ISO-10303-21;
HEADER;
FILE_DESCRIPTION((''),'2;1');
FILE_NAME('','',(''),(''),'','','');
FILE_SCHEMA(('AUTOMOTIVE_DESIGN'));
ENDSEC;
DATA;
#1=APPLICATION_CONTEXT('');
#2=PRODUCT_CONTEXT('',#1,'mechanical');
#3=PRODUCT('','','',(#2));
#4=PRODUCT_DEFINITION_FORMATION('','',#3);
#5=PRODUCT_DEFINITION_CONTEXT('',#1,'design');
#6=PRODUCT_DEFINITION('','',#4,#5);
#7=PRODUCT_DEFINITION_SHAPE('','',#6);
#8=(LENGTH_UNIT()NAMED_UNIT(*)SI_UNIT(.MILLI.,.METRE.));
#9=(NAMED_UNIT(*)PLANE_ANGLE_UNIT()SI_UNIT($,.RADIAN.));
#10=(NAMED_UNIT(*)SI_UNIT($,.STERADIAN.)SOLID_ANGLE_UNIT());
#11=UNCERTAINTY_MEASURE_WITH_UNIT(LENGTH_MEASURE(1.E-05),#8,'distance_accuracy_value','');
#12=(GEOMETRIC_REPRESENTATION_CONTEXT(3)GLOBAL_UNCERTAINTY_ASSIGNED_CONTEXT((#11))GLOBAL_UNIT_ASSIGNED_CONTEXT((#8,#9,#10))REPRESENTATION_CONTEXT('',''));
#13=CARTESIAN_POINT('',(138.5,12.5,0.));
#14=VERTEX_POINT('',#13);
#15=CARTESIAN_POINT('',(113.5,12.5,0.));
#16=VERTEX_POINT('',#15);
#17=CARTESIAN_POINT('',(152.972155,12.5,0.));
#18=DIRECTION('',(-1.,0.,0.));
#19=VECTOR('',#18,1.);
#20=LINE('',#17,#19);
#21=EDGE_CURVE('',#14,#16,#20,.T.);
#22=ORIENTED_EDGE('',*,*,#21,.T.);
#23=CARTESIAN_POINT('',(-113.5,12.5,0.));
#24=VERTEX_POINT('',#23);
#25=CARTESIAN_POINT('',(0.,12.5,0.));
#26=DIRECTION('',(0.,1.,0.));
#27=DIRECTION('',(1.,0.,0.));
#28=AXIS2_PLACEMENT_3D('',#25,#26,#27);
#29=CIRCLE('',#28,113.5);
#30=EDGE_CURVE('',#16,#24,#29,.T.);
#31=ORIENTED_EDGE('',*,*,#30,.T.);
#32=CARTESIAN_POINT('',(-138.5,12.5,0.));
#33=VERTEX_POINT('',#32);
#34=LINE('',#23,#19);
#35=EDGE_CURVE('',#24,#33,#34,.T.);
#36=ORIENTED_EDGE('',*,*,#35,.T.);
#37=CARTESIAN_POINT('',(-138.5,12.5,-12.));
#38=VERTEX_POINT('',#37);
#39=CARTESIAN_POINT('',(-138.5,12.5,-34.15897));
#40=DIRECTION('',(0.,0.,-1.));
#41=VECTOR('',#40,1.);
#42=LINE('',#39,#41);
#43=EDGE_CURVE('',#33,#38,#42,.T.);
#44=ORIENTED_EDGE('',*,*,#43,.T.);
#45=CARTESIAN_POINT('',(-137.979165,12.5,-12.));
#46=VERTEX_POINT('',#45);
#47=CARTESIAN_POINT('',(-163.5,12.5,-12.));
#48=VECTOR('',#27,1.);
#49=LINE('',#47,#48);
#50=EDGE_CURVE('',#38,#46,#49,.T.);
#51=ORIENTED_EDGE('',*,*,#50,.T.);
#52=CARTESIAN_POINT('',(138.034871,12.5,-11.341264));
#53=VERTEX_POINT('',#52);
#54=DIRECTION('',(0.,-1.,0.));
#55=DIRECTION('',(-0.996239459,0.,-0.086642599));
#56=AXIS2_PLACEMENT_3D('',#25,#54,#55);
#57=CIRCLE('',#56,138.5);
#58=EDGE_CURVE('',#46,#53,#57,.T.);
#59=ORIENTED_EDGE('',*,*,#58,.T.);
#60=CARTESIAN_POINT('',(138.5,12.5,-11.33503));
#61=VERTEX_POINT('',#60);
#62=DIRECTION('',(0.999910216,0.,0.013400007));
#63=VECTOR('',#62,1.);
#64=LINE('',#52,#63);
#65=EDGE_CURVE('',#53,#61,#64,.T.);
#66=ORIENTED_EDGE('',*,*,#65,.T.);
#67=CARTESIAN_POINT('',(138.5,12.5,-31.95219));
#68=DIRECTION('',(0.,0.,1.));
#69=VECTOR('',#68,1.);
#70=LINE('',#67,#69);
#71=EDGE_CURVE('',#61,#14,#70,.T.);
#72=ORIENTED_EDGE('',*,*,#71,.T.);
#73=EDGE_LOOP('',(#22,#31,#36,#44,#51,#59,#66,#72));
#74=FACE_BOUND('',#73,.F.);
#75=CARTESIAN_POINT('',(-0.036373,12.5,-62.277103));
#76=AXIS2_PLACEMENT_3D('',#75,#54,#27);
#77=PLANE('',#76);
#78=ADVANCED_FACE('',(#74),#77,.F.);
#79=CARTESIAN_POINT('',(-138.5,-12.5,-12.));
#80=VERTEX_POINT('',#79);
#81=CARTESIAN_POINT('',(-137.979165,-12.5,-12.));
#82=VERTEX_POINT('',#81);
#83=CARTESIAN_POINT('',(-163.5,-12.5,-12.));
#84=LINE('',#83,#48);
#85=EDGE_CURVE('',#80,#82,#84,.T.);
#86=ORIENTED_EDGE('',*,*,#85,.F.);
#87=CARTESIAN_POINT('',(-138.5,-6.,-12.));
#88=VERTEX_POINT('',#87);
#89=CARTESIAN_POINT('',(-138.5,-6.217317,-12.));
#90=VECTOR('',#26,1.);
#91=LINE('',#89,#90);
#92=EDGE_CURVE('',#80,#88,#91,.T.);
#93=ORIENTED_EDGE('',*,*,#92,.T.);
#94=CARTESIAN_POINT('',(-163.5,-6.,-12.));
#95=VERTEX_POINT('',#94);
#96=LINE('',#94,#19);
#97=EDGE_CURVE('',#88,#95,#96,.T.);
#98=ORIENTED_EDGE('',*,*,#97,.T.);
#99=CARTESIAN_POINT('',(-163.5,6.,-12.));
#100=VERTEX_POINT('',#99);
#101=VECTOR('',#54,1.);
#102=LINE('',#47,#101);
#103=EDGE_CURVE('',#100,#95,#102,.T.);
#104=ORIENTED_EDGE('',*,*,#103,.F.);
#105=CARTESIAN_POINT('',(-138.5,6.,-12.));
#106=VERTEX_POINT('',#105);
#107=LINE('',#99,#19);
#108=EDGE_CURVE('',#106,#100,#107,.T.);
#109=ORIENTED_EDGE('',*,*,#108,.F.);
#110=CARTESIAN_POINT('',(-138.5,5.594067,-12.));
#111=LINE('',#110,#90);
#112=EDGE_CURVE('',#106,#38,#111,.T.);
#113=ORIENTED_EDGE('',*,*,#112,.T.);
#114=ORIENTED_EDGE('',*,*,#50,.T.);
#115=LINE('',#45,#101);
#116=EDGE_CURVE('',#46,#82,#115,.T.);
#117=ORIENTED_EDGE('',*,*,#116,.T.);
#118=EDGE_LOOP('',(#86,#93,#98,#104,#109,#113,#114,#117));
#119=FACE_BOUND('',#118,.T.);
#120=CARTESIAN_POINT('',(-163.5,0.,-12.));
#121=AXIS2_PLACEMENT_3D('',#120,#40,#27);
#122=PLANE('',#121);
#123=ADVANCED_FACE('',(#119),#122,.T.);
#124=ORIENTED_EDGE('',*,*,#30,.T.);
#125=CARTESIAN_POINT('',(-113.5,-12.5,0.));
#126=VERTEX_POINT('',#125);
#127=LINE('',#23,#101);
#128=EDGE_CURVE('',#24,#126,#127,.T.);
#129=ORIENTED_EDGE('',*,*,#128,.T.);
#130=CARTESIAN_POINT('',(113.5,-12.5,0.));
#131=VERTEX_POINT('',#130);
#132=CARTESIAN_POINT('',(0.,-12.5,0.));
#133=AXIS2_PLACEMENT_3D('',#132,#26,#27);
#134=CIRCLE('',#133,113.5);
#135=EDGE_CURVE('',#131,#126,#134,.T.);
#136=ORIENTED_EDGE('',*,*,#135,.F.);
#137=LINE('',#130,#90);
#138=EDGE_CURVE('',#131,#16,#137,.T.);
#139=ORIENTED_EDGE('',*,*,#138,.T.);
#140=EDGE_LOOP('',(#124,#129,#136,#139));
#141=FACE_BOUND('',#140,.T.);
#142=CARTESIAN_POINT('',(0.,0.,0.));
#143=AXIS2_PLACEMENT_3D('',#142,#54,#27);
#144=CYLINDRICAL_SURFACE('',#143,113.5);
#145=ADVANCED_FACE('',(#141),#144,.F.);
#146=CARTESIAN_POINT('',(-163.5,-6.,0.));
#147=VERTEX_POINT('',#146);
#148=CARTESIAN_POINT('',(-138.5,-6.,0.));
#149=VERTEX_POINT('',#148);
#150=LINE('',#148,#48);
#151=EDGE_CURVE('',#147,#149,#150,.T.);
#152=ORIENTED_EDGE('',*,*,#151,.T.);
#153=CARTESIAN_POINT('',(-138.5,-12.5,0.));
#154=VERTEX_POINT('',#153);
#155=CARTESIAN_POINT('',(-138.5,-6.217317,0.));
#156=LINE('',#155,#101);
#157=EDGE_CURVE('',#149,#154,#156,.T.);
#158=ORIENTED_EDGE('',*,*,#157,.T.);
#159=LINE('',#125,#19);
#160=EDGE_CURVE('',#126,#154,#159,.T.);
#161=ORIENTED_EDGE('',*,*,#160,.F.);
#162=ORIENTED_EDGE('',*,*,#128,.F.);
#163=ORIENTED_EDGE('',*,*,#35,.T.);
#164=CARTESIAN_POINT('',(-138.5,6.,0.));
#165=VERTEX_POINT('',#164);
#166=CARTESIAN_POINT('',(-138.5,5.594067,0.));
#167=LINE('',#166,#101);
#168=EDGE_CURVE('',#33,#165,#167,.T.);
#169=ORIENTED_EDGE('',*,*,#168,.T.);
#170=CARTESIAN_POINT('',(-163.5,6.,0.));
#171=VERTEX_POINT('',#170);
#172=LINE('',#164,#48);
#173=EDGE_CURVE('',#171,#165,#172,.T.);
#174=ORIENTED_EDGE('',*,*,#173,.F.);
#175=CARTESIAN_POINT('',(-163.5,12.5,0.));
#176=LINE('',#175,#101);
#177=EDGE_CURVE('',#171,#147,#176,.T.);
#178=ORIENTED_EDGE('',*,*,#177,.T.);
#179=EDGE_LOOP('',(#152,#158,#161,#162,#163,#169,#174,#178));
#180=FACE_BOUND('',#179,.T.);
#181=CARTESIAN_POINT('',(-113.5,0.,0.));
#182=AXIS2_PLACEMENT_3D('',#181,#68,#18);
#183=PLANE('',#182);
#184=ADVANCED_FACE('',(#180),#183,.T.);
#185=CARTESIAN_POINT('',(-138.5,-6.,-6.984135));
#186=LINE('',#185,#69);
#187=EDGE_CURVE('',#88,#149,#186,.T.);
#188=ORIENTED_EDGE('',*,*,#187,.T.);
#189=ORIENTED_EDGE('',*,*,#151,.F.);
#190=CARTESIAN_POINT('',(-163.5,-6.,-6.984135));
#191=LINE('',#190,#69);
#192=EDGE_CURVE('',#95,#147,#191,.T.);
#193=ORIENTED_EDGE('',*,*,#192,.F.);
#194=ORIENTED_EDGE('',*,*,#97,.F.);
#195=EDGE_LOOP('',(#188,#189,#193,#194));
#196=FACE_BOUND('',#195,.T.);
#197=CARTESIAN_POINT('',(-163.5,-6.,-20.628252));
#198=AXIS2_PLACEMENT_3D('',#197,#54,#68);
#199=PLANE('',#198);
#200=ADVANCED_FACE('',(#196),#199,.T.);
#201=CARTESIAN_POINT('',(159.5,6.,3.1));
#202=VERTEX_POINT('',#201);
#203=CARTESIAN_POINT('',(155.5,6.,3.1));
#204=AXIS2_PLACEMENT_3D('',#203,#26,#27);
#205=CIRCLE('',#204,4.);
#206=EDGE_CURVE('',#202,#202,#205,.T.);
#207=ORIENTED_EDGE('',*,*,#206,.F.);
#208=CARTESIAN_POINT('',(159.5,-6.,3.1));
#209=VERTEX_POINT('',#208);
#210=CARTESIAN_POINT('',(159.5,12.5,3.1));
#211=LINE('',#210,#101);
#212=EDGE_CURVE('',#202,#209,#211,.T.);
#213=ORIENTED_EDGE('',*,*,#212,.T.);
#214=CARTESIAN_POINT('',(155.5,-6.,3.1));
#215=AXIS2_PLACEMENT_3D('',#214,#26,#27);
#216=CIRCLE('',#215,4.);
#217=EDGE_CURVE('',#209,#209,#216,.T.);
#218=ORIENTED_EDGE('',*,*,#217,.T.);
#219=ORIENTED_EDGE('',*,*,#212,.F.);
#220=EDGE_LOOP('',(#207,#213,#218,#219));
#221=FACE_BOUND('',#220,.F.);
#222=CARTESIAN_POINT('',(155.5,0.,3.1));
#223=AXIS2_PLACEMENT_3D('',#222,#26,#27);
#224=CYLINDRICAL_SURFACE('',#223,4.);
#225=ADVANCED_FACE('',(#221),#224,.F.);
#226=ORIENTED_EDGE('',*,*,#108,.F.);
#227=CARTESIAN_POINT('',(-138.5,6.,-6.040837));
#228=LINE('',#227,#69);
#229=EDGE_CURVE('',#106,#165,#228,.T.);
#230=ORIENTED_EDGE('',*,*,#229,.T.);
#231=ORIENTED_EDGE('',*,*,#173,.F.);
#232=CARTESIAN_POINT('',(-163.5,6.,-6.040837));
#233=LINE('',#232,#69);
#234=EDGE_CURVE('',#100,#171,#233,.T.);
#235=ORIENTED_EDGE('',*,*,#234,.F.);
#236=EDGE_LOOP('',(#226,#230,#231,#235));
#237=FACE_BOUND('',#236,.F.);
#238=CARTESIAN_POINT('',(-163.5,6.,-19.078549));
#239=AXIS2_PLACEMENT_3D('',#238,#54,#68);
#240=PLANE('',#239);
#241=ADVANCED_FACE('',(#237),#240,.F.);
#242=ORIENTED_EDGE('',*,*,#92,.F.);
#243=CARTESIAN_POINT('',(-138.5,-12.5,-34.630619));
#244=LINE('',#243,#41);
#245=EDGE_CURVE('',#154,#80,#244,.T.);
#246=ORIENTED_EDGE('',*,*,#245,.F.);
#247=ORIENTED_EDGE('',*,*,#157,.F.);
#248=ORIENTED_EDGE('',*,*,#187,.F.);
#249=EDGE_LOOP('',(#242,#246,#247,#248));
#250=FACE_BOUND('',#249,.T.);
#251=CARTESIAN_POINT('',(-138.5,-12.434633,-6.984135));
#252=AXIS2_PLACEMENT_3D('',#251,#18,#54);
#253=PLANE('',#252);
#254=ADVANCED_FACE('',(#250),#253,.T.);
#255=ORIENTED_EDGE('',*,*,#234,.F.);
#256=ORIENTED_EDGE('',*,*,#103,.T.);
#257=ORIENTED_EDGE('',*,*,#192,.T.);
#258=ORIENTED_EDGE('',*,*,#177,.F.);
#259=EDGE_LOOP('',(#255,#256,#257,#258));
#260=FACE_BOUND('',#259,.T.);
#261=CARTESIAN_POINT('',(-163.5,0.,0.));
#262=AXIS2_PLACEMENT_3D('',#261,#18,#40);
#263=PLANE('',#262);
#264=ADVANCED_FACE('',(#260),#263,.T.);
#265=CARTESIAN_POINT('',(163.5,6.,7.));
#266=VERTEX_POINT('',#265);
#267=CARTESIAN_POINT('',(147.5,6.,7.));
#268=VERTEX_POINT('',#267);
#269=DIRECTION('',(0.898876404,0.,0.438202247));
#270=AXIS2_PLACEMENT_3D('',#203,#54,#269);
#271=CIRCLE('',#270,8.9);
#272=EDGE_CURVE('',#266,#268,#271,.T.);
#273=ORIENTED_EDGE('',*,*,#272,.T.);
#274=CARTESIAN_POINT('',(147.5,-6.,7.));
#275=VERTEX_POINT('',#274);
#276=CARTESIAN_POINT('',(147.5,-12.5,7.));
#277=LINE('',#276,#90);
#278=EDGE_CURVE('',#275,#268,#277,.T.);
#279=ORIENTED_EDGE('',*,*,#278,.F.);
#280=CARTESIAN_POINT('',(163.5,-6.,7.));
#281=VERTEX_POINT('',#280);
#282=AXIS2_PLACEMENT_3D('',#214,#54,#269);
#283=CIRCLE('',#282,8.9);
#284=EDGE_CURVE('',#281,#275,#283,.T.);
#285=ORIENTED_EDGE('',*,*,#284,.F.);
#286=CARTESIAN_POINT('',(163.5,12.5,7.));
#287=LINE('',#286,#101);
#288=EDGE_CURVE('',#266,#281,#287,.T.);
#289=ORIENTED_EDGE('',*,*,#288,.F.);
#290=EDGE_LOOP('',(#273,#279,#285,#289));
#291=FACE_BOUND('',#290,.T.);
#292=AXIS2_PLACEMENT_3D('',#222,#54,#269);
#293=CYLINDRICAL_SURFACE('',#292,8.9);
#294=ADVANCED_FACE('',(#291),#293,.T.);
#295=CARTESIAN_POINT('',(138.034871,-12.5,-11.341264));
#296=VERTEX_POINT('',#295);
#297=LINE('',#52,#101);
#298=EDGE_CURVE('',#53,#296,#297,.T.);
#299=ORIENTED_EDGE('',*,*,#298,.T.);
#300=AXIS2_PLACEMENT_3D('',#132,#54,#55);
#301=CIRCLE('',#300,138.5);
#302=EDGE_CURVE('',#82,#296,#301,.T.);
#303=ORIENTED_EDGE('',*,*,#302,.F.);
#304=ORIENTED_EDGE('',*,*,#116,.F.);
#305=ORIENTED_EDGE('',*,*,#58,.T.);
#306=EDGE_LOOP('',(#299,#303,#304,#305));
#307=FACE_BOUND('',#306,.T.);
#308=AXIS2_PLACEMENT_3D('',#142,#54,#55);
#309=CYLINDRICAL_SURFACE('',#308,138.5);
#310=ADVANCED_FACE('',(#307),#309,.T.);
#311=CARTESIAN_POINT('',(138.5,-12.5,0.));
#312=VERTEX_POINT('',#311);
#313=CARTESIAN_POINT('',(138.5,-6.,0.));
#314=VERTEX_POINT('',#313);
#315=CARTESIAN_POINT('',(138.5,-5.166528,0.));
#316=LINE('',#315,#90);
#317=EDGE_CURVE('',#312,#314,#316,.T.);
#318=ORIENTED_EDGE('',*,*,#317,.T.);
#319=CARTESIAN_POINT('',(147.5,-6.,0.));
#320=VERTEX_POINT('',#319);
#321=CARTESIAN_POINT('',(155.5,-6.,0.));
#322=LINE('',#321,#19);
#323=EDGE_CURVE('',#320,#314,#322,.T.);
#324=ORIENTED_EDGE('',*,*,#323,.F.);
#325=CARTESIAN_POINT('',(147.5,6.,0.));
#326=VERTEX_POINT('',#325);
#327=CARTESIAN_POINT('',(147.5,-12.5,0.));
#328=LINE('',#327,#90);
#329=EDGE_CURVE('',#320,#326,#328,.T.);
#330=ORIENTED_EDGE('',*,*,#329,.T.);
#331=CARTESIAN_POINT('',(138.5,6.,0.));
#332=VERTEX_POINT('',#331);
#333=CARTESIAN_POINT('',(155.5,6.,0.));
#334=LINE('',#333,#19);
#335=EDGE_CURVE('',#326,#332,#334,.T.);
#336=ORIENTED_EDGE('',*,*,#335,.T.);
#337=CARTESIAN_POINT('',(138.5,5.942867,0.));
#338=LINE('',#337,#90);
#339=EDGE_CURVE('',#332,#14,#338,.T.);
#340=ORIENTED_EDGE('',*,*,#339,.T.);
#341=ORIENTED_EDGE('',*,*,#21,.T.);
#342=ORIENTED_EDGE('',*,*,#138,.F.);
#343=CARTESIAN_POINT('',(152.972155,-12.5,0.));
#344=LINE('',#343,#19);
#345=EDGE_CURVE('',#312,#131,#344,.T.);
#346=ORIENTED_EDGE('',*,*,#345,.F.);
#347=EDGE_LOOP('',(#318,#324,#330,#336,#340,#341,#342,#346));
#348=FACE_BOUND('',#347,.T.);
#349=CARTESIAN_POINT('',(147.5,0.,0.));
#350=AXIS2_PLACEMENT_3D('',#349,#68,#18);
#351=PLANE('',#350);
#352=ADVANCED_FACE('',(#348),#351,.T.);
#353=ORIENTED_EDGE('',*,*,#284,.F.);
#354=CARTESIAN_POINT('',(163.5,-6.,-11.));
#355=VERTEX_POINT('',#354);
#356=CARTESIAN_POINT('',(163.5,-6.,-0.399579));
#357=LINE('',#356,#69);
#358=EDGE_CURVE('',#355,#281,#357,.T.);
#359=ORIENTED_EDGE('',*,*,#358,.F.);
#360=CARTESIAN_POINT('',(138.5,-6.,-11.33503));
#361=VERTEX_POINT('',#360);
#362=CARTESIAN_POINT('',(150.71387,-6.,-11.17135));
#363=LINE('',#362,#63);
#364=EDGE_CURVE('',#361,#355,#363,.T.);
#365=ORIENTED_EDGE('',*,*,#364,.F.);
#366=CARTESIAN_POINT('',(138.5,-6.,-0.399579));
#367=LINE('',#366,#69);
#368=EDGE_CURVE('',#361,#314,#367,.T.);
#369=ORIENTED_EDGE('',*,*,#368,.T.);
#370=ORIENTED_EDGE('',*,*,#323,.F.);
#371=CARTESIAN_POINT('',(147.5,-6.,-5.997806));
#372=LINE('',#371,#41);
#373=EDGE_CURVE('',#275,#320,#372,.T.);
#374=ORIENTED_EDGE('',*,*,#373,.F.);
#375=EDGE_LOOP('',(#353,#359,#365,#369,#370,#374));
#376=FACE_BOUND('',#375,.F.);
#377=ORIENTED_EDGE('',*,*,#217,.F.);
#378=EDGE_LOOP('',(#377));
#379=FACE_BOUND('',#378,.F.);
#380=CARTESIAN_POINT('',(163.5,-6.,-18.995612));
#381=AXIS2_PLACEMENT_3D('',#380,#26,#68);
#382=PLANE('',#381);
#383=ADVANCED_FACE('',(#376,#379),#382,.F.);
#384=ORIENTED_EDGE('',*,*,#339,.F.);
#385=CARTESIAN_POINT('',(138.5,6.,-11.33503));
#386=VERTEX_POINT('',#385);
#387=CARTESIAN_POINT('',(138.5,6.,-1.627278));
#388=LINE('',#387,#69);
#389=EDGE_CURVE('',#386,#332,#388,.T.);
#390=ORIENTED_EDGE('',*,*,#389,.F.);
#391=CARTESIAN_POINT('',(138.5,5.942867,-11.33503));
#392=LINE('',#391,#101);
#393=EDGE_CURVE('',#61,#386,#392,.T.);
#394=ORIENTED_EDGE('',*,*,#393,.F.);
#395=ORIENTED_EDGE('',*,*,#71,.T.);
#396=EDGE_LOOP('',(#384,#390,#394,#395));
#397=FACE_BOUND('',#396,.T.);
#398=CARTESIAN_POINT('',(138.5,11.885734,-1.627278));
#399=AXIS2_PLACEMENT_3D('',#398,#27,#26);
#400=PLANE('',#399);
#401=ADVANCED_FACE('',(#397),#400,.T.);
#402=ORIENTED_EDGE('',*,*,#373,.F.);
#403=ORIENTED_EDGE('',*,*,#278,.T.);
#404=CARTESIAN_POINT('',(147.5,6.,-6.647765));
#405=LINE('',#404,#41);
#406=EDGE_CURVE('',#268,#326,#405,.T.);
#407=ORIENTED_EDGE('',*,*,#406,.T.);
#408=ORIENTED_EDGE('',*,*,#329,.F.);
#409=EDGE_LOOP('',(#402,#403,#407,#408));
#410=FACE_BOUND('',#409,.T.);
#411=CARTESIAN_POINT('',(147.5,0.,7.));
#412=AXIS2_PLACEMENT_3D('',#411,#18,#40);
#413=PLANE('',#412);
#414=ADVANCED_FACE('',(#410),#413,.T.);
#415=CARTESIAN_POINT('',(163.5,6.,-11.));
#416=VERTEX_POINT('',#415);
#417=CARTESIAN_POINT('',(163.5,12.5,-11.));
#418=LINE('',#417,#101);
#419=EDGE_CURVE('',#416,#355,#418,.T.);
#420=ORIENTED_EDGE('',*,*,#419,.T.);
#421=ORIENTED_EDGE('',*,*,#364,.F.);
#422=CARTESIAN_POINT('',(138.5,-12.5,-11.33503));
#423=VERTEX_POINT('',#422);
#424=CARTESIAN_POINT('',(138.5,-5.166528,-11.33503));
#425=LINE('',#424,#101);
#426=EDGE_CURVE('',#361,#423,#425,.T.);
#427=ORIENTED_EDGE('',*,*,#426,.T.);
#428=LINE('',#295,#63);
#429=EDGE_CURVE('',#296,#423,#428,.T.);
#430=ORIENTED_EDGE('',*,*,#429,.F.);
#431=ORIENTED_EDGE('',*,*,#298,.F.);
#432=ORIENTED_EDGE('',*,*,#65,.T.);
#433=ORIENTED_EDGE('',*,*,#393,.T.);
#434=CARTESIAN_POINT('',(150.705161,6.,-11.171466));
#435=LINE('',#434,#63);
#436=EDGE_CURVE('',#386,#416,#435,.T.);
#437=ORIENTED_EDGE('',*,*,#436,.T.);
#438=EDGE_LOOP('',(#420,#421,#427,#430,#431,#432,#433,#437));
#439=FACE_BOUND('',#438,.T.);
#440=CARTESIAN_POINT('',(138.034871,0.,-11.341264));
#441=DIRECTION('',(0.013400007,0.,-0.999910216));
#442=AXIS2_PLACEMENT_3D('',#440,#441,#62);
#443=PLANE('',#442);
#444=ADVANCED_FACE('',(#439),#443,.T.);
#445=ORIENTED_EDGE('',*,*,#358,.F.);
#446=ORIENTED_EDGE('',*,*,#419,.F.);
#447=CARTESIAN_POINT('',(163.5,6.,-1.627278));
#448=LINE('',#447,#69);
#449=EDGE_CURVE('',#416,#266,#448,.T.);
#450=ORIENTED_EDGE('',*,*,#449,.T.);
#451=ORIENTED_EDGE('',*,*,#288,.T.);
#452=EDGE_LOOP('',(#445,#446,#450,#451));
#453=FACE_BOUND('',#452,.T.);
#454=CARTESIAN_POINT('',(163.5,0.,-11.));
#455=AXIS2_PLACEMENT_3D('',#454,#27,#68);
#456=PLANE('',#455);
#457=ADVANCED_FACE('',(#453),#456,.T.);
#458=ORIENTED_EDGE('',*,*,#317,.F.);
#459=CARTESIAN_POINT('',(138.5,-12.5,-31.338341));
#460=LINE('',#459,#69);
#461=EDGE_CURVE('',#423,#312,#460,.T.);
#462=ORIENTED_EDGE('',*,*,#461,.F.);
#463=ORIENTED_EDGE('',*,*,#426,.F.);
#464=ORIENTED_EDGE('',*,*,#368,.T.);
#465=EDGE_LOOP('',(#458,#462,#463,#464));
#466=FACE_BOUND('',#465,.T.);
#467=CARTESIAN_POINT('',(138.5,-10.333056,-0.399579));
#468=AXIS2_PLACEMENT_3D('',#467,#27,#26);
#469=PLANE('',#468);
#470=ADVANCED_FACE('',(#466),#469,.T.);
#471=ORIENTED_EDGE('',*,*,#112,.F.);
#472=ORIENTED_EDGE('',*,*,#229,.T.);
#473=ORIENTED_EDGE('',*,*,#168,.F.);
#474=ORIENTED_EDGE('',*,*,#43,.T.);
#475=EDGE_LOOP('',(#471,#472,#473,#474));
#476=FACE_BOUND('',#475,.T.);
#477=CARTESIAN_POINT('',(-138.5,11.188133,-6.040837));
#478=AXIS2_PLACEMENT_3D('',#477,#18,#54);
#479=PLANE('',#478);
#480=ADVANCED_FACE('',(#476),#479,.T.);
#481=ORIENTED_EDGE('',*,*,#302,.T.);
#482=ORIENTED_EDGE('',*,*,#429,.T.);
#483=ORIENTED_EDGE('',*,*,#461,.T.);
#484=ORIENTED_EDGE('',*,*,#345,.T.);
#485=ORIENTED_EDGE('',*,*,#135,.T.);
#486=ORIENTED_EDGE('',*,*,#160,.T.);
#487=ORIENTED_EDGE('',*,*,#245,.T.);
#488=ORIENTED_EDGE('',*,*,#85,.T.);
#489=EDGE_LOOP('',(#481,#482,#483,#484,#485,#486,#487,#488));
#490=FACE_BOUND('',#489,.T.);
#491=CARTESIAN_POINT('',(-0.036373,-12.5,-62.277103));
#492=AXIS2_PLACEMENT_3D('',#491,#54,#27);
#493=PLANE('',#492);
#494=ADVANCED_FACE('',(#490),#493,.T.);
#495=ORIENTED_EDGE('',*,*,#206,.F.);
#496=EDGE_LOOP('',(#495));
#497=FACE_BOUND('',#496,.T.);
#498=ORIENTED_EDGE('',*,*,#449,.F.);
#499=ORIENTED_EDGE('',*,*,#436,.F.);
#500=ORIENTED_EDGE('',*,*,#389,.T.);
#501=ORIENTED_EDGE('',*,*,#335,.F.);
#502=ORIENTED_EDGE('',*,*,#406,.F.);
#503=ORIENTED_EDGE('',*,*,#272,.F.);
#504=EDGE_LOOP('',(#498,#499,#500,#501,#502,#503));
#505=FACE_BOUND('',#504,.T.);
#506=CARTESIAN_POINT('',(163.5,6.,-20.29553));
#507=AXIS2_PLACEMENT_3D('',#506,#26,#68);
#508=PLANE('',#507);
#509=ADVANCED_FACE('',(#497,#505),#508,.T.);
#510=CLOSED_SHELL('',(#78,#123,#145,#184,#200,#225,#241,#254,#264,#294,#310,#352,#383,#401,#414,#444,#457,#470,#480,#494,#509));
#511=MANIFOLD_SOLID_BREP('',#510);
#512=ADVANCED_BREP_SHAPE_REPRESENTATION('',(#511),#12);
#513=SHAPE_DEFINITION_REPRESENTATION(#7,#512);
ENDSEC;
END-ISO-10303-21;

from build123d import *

# Parameters (mm, degrees)
F1_DEPTH = 12.5
F2_W     = 8.6661115155
F2_H     = 37.1920648861
F2_W_2   = 11.7714676749
F2_H_2   = 37.3365031319
F3_DEPTH = 25
F4_W     = 10.3762667931
F4_H     = 26.0754239581
F4_W_2   = 12.8692660095
F4_H_2   = 27.2882347388
F5_DEPTH = 25


with BuildPart() as f1:
    # F0 (on Front) → F1 (new body, symmetric)
    with BuildSketch(Plane.XZ):
        with BuildLine():
            ThreePointArc((113.5, 0), (0, -113.5), (-113.5, 0))
            Line((-113.5, 0), (-138.5, 0))
            Line((-138.5, 0), (-163.5, 0))
            Line((-163.5, 0), (-163.5, -12))
            Line((-163.5, -12), (-137.9791650939, -12))
            ThreePointArc((-137.9791650939, -12), (0.3305438412, -138.4996055618), (138.0348714685, -11.3412635401))
            Line((138.0348714685, -11.3412635401), (163.5, -11))
            Line((163.5, -11), (163.5, 0))
            Line((163.5, 0), (158.027844932, 0))
            ThreePointArc((158.027844932, 0), (155.5, -0.9), (152.972155068, 0))
            Line((152.972155068, 0), (147.5, 0))
            Line((147.5, 0), (138.5, 0))
            Line((138.5, 0), (113.5, 0))
        make_face()
        with BuildLine():
            Line((147.5, 7), (147.5, 0))
            Line((147.5, 0), (152.972155068, 0))
            ThreePointArc((152.972155068, 0), (153.7841007792, 6.7132658169), (159.5, 3.1))
            ThreePointArc((159.5, 3.1), (159.1132658169, 1.3841007792), (158.027844932, 0))
            Line((158.027844932, 0), (163.5, 0))
            Line((163.5, 0), (163.5, 7))
            ThreePointArc((163.5, 7), (155.5, 12), (147.5, 7))
        make_face()
    extrude(amount=F1_DEPTH, both=True)

    # F2 (on face) → F3 (cut)
    with BuildSketch(Plane.YZ.offset(163.5)):
        with Locations((-10.3330557577, -0.399579161)):
            Rectangle(F2_W, F2_H)
        with Locations((11.8857338375, -1.6272780021)):
            Rectangle(F2_W_2, F2_H_2)
    extrude(amount=-F3_DEPTH, mode=Mode.SUBTRACT)

    # F4 (on face) → F5 (cut)
    with BuildSketch(Plane(origin=(-163.5, 0, 0), x_dir=(0, -1, 0), z_dir=(-1, 0, 0))):
        with Locations((-11.1881333965, -6.0408366425)):
            Rectangle(F4_W, F4_H)
        with Locations((12.4346330048, -6.9841346379)):
            Rectangle(F4_W_2, F4_H_2)
    extrude(amount=-F5_DEPTH, mode=Mode.SUBTRACT)


solid = f1.part
